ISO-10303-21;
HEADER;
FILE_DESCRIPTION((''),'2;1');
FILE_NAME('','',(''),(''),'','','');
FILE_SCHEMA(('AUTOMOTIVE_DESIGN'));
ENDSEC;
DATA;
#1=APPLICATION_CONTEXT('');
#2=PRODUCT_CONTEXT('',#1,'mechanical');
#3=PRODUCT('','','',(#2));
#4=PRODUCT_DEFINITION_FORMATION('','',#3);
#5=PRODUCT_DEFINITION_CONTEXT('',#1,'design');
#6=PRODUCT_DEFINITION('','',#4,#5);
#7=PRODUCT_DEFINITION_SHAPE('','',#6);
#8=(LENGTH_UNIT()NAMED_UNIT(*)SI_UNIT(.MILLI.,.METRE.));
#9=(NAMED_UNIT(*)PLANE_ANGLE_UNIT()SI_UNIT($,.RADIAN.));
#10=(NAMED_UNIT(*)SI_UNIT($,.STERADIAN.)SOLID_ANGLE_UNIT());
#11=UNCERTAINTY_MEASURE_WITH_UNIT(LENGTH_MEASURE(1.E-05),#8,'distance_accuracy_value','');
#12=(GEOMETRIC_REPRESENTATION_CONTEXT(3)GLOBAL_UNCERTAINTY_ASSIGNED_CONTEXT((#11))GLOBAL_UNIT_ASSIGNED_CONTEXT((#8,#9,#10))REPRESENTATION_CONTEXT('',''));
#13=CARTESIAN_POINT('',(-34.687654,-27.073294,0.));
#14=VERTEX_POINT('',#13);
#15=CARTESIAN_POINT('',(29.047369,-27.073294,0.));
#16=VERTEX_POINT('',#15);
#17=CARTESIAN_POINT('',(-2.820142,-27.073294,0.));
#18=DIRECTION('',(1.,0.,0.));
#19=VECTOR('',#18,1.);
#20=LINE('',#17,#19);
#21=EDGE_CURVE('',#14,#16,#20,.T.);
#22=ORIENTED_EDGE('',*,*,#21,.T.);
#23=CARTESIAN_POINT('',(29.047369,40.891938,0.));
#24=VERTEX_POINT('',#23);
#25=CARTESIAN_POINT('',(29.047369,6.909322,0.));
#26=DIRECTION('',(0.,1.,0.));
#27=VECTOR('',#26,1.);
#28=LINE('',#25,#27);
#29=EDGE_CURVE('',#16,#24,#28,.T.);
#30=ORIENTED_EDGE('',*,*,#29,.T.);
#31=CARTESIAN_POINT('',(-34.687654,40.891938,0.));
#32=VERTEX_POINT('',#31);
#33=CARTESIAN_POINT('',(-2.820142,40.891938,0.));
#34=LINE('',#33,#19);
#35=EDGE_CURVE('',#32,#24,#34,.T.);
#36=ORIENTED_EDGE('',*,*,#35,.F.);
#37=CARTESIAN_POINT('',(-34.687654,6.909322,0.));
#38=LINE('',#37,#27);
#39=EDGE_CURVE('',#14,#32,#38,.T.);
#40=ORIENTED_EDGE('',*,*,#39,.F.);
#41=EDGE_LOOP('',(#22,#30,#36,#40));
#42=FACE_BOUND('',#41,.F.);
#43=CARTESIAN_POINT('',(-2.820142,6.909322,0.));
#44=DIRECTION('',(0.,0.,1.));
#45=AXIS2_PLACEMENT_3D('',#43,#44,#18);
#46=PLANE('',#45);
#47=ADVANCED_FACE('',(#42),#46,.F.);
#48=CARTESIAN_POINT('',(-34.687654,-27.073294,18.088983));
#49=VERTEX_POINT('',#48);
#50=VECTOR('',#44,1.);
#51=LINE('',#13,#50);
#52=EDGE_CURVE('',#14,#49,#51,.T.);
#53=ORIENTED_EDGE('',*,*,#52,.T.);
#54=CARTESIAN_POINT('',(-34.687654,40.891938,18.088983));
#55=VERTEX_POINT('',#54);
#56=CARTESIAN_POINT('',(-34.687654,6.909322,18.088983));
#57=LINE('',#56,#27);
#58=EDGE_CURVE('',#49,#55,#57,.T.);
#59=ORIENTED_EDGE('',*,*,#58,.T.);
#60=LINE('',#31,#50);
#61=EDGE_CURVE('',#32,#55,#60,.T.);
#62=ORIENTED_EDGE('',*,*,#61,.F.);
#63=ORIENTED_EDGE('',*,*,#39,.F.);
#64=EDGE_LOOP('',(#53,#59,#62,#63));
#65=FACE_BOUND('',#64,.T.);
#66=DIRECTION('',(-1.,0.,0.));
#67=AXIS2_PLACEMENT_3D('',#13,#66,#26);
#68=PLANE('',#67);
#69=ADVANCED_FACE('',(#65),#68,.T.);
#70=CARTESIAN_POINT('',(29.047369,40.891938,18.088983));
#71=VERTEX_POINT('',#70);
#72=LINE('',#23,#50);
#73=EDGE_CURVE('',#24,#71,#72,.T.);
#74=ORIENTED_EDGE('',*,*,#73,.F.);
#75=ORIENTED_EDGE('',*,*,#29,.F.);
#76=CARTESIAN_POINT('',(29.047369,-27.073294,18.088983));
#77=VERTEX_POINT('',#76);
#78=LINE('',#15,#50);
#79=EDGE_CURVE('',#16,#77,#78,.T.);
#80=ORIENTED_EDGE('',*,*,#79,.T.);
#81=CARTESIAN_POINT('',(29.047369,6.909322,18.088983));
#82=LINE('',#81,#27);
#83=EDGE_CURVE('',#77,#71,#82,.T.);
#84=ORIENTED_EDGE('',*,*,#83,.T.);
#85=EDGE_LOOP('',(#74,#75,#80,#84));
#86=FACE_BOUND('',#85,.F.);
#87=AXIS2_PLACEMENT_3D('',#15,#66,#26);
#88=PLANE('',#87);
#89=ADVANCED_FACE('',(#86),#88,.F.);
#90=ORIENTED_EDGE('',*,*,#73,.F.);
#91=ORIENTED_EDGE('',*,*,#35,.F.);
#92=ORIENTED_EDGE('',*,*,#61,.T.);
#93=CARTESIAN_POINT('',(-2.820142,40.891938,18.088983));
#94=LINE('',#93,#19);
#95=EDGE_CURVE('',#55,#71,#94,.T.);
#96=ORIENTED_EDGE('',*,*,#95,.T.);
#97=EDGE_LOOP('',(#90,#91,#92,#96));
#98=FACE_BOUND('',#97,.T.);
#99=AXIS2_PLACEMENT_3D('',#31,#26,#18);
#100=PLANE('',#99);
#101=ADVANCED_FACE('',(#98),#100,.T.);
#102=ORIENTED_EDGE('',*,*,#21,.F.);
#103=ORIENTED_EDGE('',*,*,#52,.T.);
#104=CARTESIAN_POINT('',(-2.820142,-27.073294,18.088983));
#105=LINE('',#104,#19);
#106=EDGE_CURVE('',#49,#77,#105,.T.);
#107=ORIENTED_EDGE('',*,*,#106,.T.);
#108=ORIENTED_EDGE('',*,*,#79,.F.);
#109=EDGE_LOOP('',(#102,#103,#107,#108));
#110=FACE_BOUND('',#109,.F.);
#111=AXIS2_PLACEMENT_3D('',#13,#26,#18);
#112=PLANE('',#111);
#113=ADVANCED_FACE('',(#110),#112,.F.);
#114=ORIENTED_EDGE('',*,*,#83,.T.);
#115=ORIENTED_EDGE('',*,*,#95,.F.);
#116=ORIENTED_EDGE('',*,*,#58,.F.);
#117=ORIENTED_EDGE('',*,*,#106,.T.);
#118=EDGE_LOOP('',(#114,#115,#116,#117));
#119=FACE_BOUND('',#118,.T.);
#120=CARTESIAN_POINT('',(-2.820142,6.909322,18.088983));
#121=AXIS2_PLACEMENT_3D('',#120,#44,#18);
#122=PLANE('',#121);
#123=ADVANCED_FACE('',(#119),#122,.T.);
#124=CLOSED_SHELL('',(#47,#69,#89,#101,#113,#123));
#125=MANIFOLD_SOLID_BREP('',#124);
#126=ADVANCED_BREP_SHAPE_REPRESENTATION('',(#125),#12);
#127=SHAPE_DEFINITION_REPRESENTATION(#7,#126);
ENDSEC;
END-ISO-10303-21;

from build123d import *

# Parameters (mm, degrees)
F1_W     = 63.735023
F1_H     = 67.965232
F2_DEPTH = 18.088983


with BuildPart() as f2:
    # F1 (on face) → F2 (new body)
    with BuildSketch(Plane.XY):
        with Locations((-2.820142, 6.909322)):
            Rectangle(F1_W, F1_H)
    extrude(amount=F2_DEPTH)


solid = f2.part
